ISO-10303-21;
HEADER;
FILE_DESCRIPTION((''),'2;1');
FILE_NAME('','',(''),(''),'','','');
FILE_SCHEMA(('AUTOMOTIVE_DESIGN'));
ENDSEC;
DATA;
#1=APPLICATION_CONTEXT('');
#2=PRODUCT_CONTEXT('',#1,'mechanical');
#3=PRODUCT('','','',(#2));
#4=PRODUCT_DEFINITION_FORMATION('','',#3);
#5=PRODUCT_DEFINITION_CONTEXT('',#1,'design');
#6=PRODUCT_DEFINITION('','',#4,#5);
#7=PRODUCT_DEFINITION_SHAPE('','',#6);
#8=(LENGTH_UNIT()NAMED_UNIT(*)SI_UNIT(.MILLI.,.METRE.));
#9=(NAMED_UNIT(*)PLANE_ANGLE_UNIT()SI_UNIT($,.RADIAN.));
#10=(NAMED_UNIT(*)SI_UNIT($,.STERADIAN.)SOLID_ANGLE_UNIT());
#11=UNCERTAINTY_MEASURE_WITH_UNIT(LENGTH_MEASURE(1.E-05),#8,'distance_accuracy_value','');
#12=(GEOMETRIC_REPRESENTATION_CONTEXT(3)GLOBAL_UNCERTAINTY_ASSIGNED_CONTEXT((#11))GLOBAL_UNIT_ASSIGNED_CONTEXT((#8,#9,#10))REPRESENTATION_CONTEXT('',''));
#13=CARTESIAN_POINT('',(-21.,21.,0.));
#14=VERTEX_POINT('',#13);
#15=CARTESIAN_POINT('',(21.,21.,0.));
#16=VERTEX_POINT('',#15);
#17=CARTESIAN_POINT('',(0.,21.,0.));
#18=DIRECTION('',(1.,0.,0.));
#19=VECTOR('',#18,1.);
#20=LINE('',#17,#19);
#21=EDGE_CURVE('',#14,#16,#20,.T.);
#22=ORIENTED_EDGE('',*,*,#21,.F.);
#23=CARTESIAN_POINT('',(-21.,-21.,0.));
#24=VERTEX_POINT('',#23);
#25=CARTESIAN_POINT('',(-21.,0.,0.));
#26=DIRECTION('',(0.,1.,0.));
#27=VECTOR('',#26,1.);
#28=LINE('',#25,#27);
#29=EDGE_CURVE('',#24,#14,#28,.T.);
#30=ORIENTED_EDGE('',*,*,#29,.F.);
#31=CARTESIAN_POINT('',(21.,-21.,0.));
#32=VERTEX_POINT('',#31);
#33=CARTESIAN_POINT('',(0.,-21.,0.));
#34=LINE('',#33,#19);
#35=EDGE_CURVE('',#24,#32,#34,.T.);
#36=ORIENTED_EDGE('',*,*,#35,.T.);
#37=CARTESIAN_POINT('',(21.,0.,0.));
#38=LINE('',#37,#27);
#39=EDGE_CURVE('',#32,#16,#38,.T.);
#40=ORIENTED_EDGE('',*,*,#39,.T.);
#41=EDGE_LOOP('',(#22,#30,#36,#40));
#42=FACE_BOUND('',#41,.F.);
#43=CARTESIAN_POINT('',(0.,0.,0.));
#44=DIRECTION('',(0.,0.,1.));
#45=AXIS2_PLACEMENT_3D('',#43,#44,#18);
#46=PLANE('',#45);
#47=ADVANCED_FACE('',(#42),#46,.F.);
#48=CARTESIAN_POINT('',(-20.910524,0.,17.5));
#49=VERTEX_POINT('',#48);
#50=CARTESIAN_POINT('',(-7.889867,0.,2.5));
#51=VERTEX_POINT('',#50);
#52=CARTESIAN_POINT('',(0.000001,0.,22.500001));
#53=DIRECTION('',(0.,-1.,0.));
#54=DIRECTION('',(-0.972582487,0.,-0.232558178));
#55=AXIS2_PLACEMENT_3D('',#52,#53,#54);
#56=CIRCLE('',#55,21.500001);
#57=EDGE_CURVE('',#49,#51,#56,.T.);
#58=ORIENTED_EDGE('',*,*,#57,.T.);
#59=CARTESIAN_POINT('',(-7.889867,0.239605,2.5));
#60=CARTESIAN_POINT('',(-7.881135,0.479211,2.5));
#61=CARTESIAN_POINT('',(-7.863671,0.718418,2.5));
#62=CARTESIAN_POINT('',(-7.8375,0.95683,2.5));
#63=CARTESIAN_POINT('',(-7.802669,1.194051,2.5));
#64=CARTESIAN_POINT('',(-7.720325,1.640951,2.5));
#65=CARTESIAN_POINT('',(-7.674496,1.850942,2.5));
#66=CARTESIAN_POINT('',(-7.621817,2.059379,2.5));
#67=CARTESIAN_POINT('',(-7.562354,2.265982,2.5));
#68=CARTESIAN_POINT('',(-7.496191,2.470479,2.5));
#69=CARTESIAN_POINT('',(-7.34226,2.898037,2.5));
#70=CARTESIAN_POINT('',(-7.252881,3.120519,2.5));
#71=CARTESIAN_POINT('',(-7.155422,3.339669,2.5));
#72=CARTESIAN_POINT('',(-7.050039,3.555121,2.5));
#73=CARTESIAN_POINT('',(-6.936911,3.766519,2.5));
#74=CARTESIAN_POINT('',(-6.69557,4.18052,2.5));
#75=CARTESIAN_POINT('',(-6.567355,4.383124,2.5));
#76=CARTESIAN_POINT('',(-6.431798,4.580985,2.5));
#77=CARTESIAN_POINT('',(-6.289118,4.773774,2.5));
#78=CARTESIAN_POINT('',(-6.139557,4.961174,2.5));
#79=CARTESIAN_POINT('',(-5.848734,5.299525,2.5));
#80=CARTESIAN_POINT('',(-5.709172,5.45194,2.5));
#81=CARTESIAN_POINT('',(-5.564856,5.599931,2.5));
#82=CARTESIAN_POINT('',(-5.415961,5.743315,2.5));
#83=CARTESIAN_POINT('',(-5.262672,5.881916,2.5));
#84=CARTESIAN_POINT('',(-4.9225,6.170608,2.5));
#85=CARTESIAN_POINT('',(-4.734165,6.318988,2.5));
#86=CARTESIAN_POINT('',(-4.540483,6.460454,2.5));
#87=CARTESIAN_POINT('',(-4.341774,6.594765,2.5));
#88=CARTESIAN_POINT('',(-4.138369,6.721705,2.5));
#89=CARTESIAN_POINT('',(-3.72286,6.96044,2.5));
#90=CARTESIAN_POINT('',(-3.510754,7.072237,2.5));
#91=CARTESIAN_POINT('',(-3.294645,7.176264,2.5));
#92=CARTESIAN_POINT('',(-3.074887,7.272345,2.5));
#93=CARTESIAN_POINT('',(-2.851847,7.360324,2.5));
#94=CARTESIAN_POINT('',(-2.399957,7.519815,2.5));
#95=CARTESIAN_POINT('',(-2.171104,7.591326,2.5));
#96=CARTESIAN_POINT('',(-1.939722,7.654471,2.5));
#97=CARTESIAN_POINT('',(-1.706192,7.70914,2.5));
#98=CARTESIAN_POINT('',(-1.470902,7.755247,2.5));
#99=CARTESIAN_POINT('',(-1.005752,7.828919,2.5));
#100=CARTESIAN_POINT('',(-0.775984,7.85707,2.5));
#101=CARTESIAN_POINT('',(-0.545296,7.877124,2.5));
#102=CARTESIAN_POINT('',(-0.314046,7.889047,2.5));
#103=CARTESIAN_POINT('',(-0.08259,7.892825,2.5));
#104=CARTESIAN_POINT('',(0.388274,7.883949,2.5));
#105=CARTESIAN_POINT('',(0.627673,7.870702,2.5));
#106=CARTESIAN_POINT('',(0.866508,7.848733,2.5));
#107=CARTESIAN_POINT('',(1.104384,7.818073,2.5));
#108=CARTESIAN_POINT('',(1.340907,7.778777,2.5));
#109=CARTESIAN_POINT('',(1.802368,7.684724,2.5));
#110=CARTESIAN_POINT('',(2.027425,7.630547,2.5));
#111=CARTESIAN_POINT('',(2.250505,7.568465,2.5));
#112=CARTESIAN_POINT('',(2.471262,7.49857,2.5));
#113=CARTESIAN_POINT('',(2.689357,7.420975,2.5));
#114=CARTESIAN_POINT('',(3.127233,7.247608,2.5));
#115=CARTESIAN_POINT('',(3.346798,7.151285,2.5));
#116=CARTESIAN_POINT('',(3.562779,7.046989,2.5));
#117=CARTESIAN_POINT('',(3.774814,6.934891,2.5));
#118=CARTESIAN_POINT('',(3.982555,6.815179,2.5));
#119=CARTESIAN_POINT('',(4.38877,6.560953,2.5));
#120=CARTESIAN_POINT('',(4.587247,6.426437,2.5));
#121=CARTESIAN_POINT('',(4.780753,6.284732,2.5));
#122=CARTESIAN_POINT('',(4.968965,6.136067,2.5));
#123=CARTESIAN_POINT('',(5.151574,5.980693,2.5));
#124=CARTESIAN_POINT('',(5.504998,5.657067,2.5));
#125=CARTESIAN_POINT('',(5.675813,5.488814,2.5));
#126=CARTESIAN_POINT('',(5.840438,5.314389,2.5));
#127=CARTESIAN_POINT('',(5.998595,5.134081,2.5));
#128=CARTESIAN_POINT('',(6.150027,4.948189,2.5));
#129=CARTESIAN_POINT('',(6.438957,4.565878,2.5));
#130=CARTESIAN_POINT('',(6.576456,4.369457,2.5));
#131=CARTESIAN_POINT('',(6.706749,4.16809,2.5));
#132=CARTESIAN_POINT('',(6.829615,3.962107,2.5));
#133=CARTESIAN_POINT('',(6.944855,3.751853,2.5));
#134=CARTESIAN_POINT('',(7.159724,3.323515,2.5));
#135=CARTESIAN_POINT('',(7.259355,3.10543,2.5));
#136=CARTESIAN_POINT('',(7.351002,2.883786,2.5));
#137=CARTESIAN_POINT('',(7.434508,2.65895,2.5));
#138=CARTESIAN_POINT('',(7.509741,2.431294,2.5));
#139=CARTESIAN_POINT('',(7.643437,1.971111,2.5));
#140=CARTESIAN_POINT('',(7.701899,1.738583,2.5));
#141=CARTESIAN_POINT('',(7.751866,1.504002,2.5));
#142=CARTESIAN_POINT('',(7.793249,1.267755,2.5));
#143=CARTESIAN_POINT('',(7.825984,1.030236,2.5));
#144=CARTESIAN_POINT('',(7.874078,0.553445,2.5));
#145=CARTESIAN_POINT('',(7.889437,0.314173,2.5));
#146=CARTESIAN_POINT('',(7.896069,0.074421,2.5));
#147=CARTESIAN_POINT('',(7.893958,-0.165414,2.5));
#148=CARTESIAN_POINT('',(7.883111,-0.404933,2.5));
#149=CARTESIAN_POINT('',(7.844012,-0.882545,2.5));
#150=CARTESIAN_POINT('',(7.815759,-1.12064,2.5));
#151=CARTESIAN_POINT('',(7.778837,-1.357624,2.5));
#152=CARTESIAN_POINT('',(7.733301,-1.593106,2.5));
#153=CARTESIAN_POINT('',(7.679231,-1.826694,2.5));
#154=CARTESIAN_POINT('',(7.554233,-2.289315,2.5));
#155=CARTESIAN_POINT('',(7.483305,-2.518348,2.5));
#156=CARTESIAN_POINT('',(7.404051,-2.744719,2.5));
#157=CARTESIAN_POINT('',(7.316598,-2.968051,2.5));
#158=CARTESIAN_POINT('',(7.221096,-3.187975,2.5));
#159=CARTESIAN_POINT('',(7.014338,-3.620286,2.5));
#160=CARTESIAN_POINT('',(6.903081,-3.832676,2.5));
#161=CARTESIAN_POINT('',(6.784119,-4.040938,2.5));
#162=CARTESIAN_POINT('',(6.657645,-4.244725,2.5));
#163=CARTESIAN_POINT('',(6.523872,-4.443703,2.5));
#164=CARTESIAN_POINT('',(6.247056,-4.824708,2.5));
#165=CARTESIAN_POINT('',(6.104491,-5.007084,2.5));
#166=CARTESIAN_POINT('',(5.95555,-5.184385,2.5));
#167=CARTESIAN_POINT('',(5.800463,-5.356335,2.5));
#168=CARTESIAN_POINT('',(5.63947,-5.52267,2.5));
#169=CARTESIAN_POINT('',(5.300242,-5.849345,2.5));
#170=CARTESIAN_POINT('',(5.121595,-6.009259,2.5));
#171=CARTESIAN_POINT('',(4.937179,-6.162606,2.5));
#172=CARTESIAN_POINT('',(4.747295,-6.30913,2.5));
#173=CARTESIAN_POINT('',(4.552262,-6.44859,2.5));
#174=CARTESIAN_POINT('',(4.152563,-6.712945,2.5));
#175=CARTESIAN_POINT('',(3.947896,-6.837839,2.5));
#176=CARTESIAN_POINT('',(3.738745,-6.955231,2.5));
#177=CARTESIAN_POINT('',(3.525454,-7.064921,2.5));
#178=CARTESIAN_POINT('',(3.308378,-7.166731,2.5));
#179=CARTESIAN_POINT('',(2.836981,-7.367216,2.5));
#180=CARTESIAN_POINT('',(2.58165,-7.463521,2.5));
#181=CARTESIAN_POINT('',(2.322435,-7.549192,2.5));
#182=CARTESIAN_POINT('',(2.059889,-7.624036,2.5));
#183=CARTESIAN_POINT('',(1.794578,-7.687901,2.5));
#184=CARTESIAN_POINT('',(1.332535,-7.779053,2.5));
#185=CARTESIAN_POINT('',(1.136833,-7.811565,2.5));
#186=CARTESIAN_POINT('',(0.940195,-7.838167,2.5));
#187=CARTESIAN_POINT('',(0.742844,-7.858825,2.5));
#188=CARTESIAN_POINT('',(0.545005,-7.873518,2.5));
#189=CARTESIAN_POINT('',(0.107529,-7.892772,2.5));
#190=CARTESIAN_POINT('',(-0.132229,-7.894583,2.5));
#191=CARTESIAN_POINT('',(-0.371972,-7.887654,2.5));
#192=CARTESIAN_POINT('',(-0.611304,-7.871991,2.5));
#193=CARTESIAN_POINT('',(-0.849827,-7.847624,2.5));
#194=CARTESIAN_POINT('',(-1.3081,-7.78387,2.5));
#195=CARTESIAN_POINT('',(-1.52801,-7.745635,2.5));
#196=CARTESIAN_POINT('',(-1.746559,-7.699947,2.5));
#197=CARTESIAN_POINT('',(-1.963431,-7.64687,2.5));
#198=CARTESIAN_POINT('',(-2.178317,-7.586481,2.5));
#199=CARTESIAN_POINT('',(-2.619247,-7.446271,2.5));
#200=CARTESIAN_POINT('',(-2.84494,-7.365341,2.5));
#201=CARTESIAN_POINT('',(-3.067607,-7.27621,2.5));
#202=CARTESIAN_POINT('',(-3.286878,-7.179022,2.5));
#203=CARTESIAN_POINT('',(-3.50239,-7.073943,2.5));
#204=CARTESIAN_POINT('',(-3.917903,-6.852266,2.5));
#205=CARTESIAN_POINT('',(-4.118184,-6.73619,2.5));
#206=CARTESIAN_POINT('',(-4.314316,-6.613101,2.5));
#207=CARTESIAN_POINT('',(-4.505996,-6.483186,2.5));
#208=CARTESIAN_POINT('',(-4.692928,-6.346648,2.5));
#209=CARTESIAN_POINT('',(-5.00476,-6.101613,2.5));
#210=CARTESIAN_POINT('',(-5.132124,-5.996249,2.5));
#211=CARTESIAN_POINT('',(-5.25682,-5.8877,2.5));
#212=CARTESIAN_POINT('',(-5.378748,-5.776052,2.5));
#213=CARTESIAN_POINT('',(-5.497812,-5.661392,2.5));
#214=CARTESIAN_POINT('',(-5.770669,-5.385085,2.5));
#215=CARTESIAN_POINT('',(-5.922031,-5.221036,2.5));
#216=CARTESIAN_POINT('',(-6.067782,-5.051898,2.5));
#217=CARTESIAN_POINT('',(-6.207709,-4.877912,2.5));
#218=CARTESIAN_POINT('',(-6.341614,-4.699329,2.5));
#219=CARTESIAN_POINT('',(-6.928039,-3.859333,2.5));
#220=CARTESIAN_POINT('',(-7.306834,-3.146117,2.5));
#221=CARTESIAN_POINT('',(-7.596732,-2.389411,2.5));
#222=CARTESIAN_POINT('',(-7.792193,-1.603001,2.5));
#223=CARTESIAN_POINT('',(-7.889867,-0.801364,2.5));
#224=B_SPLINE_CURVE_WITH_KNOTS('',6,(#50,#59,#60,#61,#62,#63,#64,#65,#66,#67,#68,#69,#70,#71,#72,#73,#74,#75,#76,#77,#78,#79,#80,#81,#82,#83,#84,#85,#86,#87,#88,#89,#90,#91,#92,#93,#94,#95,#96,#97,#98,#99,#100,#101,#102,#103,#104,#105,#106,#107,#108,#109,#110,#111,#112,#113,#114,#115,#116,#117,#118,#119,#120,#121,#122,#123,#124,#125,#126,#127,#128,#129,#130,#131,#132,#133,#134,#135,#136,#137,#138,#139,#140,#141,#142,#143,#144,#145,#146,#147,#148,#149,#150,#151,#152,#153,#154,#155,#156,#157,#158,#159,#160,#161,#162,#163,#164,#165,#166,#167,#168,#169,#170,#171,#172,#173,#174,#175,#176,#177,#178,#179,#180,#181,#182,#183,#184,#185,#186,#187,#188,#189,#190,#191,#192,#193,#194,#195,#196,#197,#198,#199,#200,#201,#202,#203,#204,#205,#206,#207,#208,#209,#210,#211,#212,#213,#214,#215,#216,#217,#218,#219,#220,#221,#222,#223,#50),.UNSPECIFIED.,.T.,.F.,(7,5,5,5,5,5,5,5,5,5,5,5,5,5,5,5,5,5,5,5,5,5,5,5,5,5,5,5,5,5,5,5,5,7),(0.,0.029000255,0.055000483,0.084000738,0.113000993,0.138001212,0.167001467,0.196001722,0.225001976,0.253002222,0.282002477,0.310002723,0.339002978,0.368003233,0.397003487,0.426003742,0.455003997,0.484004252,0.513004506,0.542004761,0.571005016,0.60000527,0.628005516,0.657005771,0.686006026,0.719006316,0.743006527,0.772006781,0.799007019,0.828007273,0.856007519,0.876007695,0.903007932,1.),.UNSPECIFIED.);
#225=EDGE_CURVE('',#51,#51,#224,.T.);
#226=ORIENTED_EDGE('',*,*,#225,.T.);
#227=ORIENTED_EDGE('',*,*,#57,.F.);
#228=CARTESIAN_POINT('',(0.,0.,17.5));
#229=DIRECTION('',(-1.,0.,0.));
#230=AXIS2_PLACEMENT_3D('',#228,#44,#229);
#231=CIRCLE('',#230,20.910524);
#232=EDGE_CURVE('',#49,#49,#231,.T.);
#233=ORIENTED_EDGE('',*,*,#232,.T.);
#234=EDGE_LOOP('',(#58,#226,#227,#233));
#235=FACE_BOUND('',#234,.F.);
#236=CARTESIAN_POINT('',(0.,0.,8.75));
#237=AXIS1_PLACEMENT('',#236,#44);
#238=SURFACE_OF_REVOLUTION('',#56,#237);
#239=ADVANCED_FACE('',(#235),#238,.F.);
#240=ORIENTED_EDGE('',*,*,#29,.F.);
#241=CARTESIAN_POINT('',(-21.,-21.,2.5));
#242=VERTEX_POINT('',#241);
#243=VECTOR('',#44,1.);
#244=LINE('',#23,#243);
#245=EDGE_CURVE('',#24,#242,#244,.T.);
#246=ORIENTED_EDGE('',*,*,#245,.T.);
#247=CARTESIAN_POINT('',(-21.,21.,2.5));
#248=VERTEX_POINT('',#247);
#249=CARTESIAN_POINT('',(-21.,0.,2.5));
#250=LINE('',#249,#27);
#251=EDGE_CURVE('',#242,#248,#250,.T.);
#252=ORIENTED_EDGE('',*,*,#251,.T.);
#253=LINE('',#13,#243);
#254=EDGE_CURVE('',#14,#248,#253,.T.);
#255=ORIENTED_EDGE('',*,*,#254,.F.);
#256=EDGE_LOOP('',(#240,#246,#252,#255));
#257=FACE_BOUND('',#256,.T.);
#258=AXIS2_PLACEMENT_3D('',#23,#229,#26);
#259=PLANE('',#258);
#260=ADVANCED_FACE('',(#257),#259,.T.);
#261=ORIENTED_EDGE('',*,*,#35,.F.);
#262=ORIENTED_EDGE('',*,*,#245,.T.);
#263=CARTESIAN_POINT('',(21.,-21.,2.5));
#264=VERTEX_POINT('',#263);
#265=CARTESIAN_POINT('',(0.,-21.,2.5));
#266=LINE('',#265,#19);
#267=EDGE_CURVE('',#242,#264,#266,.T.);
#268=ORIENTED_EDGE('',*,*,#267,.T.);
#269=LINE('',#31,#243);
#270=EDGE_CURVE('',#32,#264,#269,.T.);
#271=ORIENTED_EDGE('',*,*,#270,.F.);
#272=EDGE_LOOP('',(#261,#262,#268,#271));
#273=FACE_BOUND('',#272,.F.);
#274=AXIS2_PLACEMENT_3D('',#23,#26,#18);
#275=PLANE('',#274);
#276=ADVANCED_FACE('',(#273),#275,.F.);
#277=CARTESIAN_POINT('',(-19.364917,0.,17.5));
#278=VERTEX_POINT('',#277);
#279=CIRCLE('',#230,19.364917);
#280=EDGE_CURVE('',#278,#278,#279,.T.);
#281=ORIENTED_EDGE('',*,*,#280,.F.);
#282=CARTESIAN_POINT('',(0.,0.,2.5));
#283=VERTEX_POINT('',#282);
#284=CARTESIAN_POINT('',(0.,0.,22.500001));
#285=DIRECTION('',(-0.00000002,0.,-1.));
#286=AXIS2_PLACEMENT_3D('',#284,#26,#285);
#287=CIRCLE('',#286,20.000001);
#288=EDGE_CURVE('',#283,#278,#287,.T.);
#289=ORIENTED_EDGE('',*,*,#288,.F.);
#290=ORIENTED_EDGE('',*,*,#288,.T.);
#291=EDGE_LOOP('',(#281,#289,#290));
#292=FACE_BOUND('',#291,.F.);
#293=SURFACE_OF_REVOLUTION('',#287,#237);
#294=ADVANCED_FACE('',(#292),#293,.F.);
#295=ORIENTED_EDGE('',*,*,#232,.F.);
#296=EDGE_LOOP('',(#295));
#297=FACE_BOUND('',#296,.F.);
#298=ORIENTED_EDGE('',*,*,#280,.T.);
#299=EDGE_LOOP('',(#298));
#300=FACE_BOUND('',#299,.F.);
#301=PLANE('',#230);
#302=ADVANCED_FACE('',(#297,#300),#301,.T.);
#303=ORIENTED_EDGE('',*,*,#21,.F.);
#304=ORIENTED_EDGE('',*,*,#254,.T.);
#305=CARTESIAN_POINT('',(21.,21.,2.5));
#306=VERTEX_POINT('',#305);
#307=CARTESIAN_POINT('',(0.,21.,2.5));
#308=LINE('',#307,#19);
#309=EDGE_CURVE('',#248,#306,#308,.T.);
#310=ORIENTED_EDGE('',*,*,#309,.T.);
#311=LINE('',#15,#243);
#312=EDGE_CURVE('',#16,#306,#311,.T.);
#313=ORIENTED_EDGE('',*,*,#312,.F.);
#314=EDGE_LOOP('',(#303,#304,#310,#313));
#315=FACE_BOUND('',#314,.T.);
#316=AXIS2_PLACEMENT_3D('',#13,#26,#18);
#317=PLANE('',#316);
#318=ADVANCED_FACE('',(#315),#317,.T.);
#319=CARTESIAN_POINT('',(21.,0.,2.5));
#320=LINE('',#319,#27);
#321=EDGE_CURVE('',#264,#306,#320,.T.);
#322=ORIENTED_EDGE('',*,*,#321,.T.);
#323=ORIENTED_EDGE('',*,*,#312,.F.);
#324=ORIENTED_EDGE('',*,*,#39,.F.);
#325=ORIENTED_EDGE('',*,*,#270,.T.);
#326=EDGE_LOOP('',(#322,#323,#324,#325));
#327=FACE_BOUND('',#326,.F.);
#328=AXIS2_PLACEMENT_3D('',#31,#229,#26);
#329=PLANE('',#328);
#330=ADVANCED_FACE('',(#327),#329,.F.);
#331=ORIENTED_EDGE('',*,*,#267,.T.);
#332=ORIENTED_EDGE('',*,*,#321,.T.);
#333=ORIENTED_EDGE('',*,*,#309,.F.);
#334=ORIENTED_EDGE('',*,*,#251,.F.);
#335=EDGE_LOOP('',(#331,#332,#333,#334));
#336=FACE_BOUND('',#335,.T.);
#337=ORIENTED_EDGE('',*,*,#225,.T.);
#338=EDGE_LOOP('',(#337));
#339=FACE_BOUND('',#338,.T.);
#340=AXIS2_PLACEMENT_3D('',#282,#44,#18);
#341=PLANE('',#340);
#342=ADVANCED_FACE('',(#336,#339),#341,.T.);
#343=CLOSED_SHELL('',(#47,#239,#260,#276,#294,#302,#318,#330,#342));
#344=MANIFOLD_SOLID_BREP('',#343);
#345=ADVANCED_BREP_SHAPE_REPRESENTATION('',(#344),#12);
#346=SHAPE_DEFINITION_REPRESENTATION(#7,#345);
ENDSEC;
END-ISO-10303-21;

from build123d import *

# Parameters (mm, degrees)
F0_W     = 42
F0_H     = 42
F1_DEPTH = 2.5


with BuildPart() as f1:
    # F0 (on Top) → F1 (new body)
    with BuildSketch(Plane.XY):
        Rectangle(F0_W, F0_H)
    extrude(amount=F1_DEPTH)

    # F2 (on Front) → F3 (revolve)
    with BuildSketch(Plane.XZ):
        with BuildLine():
            ThreePointArc((-20.910524, 17.5), (-13.318221, 5.62176), (0, 1))
            Line((0, 1), (0, 2.5))
            ThreePointArc((0, 2.5), (-12.247449, 6.688612), (-19.364917, 17.5))
            Line((-19.364917, 17.5), (-20.910524, 17.5))
        make_face()
    revolve(axis=Axis((0, 0, 8.75), (0, 0, 1)))


solid = f1.part
